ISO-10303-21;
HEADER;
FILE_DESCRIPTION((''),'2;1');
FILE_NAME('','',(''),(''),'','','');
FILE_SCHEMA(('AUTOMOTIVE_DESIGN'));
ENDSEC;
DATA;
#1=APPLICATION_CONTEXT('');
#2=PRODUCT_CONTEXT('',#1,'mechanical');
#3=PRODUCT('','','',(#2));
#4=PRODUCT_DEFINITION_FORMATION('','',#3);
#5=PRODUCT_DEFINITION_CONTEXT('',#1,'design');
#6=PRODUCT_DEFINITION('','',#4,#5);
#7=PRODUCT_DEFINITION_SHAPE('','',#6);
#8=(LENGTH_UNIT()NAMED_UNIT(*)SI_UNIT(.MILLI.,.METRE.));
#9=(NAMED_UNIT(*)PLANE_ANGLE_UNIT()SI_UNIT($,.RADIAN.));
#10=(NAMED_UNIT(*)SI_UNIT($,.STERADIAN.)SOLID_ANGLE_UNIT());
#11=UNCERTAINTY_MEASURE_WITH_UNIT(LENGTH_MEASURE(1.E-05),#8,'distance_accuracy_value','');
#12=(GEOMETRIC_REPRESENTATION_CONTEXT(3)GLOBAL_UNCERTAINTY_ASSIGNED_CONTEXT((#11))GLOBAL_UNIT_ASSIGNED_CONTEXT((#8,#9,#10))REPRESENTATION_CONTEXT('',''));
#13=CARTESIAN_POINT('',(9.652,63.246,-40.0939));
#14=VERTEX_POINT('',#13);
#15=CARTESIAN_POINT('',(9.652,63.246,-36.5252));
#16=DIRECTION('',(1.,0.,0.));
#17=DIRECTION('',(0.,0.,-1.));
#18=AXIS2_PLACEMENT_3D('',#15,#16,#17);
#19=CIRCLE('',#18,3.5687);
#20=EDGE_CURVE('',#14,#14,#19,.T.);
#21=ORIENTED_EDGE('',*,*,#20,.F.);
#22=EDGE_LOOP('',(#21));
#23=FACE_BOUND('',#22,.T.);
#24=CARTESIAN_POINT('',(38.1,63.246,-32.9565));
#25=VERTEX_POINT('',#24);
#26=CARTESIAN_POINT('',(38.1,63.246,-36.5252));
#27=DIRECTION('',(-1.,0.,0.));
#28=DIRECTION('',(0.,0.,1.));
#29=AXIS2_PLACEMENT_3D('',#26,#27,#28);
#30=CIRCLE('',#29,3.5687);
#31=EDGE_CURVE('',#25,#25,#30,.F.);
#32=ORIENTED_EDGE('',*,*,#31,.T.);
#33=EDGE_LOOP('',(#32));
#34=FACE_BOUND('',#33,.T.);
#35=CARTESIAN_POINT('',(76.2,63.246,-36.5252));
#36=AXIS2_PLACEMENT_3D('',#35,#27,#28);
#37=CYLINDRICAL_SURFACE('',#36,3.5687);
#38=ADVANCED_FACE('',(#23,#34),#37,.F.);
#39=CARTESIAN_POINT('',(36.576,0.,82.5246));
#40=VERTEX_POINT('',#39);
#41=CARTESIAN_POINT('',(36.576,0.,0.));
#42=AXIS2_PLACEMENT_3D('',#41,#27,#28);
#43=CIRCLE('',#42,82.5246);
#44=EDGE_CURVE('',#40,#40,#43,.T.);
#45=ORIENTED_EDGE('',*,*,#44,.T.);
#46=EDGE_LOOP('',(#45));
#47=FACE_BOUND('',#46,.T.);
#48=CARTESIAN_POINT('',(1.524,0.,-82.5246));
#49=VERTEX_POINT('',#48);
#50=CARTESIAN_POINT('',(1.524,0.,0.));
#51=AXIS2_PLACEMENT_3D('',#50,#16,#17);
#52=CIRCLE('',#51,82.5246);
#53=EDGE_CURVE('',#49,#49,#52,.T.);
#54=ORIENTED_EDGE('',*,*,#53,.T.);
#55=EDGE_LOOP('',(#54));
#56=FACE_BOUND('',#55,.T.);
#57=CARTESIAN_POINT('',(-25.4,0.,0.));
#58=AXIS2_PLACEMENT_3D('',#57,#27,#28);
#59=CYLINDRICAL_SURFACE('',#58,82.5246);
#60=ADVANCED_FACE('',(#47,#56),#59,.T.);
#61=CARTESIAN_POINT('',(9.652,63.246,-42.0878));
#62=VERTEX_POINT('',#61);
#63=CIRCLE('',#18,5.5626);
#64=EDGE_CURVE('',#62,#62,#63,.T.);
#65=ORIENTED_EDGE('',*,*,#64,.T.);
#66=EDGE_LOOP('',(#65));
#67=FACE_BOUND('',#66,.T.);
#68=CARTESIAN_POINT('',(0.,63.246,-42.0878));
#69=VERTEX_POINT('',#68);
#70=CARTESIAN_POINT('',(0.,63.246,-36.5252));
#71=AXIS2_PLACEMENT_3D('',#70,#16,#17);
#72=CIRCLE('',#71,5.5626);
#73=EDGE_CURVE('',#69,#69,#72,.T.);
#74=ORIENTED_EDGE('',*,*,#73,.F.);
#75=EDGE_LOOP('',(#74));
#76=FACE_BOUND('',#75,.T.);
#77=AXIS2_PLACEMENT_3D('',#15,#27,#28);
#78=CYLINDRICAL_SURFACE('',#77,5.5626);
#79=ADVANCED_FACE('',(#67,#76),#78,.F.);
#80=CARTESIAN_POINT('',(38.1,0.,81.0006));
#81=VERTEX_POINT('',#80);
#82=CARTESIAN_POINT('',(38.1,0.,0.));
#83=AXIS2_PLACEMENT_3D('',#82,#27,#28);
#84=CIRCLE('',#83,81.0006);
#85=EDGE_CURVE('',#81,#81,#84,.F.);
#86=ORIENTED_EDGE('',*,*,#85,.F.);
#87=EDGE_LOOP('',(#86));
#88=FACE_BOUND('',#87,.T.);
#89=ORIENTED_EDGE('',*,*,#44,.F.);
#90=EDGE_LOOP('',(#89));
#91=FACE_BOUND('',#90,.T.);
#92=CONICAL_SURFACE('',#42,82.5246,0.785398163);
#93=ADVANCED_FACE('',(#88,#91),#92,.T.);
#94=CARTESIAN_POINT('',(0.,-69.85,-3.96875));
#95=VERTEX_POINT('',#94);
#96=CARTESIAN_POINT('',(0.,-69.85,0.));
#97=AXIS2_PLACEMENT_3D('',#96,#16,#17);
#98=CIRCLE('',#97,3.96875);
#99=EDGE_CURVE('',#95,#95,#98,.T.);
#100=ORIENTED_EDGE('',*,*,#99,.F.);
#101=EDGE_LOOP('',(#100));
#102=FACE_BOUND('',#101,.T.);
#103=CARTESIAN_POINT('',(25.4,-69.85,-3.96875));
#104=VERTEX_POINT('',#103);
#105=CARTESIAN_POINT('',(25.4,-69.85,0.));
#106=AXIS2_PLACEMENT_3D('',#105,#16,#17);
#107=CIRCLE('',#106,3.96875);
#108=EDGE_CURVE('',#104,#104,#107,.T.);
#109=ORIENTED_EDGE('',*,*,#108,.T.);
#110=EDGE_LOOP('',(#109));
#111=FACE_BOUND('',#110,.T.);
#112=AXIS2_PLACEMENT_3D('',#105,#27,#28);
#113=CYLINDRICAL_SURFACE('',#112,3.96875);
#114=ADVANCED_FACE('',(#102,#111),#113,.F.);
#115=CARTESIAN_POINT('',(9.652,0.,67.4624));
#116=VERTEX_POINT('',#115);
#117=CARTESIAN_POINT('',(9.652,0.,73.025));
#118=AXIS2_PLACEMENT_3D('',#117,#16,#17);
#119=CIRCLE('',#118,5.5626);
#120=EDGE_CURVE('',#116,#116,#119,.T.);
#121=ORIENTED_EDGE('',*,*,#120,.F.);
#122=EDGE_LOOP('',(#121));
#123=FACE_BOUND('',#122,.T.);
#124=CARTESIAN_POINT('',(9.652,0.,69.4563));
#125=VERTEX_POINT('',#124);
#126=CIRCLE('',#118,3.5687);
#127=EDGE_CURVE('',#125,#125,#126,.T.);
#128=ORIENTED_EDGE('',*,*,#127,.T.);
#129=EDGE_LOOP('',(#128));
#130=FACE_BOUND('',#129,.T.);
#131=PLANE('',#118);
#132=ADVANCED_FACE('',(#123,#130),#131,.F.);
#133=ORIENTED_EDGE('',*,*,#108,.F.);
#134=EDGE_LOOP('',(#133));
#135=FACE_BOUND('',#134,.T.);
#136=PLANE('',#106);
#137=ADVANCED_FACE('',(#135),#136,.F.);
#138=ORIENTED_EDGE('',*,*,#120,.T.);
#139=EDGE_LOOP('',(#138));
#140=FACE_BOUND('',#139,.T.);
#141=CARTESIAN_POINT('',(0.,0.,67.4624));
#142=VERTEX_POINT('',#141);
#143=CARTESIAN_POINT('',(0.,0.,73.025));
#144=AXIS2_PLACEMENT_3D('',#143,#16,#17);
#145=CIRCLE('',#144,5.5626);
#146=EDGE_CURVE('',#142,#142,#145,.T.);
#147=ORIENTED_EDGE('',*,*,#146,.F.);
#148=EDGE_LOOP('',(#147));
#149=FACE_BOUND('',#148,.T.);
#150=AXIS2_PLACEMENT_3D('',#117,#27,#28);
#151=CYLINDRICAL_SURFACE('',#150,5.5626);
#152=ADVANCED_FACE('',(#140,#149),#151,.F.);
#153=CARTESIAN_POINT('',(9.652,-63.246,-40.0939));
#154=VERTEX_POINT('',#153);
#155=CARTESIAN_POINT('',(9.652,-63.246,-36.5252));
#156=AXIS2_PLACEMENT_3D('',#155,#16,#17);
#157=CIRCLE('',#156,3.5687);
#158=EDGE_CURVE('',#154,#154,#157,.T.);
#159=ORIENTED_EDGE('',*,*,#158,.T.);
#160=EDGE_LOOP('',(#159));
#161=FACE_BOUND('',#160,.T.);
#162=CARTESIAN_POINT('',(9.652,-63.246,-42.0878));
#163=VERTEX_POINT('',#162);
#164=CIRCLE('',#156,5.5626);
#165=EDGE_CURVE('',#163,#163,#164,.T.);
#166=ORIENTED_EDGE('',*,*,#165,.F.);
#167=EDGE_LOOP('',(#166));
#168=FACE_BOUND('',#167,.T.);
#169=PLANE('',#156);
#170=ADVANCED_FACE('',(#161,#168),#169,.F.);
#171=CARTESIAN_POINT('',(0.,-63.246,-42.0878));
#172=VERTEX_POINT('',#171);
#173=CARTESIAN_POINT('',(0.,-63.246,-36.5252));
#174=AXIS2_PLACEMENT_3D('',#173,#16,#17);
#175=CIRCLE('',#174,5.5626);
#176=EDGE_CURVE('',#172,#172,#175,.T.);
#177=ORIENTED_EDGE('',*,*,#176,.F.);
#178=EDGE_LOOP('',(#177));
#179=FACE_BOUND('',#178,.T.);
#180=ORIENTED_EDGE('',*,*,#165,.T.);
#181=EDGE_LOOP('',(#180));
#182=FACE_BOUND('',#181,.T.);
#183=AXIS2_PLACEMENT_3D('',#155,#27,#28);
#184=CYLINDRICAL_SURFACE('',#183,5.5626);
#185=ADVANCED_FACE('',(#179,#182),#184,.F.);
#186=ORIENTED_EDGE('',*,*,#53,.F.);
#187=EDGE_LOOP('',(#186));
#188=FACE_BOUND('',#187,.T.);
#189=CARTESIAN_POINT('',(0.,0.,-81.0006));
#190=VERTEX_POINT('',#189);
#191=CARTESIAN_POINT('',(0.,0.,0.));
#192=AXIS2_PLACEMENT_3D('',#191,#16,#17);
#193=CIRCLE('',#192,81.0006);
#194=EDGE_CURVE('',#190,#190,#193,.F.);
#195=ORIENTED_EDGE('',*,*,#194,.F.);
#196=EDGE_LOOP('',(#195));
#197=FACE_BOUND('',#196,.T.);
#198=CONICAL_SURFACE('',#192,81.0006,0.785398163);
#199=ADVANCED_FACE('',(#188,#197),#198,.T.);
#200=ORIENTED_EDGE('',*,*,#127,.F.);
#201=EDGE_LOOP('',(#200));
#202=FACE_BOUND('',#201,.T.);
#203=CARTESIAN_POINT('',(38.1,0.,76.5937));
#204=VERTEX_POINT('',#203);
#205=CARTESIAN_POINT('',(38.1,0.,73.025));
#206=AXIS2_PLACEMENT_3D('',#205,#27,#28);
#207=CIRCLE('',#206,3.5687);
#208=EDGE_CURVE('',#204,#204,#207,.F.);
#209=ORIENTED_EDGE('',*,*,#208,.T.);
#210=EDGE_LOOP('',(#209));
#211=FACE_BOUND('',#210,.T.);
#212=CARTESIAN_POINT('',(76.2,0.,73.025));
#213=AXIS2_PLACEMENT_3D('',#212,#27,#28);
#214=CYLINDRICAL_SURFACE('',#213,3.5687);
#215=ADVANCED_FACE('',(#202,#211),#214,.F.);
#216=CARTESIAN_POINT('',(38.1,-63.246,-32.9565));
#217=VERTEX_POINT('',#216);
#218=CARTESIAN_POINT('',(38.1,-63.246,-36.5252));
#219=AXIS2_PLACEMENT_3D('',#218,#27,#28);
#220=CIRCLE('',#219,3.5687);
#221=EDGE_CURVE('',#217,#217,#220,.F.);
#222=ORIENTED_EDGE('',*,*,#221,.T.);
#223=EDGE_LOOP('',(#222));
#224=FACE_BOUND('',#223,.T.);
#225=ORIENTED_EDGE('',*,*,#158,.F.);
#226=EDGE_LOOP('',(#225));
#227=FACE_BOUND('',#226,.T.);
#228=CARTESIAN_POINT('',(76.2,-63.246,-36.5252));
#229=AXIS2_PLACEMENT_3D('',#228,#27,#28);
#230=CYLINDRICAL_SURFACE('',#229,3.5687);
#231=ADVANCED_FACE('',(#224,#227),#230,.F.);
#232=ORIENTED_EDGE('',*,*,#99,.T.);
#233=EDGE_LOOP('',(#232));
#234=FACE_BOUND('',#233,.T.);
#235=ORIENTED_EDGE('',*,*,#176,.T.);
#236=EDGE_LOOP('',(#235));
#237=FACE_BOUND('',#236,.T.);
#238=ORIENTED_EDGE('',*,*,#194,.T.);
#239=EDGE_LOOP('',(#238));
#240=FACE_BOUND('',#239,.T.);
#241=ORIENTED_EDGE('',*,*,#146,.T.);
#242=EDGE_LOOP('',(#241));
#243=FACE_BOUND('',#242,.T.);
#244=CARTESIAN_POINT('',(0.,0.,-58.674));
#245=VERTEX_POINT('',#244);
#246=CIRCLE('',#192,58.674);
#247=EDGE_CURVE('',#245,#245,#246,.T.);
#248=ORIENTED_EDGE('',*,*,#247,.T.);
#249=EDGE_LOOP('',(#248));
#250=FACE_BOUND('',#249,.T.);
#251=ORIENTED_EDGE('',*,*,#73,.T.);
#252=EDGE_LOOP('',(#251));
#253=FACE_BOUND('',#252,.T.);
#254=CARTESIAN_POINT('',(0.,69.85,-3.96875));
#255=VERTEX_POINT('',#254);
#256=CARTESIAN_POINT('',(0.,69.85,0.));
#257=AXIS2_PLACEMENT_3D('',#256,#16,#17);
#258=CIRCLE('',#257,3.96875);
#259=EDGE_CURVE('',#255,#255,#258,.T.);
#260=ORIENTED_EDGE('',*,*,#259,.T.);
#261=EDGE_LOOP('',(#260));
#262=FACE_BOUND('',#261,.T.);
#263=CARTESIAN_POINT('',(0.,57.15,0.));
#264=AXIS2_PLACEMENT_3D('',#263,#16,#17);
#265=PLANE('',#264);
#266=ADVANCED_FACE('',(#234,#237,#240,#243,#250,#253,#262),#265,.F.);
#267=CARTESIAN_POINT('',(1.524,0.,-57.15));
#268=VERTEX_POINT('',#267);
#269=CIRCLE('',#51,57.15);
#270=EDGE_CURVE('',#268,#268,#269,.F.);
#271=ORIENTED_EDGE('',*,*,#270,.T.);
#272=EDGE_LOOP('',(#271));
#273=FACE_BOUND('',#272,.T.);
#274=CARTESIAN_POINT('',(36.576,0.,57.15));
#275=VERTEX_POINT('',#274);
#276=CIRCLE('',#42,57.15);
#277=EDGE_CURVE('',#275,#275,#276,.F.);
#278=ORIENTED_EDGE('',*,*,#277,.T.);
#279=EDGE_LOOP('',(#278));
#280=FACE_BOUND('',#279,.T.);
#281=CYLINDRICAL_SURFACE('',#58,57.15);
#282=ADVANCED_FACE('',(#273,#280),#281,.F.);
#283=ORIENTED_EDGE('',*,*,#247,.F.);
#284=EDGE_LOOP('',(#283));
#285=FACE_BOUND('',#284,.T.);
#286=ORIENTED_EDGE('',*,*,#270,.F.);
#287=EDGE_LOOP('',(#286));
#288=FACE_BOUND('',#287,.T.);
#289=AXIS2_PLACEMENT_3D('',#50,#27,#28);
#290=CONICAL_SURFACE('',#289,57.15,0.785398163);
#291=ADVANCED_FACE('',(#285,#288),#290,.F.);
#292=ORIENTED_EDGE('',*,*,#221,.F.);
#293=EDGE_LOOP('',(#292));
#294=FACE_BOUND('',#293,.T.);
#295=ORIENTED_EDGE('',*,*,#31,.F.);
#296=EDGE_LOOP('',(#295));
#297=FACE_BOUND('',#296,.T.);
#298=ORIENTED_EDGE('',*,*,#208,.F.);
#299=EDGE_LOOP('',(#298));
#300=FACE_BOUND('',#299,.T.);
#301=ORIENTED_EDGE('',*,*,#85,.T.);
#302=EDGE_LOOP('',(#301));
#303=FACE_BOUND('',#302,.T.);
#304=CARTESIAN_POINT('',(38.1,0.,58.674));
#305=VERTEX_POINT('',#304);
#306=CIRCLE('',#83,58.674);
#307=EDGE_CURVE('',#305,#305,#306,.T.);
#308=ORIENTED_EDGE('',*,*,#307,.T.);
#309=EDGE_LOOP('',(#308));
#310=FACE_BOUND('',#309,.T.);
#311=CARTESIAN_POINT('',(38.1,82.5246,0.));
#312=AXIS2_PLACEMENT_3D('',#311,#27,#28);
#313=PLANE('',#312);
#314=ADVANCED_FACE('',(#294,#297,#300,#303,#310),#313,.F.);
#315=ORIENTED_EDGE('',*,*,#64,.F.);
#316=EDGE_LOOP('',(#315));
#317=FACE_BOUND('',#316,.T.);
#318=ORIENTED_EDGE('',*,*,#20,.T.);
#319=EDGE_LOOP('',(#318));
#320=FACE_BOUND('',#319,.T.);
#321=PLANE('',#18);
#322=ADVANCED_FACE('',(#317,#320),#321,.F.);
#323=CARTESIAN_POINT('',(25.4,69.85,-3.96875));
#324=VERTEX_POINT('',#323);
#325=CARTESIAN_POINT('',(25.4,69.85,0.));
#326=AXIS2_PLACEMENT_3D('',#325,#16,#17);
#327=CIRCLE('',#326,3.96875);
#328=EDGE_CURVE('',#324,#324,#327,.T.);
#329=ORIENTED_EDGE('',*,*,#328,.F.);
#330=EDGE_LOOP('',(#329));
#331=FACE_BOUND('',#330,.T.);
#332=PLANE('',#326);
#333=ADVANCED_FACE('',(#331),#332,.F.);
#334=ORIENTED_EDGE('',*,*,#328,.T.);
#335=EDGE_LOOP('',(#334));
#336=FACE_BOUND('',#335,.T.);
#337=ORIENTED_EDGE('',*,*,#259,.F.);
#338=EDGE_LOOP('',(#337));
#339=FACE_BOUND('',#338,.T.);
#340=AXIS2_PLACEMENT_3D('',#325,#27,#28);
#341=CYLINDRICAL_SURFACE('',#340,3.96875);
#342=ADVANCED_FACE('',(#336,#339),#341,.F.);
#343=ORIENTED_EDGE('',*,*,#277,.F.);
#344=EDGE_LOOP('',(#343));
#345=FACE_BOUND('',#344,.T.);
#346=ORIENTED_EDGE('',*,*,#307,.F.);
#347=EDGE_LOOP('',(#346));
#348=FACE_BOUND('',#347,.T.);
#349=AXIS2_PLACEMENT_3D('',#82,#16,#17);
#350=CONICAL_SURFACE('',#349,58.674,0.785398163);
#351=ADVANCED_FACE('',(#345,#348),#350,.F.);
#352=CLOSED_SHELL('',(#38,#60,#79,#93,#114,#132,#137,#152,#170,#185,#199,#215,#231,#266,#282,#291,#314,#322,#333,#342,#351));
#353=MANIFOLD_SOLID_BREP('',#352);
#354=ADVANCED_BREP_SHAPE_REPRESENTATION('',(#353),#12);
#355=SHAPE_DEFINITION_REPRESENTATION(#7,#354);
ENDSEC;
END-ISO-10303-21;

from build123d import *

# Parameters (mm, degrees)
SKETCH1_W           = 25.3746
SKETCH1_H           = 38.1
CHAMFER1_SIZE       = 1.524
SKETCH2_R           = 3.5687
CUT_EXTRUDE2_DEPTH  = 76.2
SKETCH3_R           = 5.5626
CUT_EXTRUDE4_DEPTH  = 9.652
SKETCH4_R           = 3.5687
CUT_EXTRUDE6_DEPTH  = 76.2
SKETCH5_R           = 5.5626
CUT_EXTRUDE8_DEPTH  = 9.652
SKETCH6_R           = 3.5687
CUT_EXTRUDE10_DEPTH = 76.2
SKETCH7_R           = 5.5626
CUT_EXTRUDE12_DEPTH = 9.652
SKETCH8_R           = 3.96875
CUT_EXTRUDE14_DEPTH = 25.4
SKETCH9_R           = 3.96875
CUT_EXTRUDE16_DEPTH = 25.4


with BuildPart() as part:
    # Sketch1 → Revolve1 (revolve)
    with BuildSketch(Plane(origin=(0, 0, 0), x_dir=(0, 1, 0), z_dir=(0, 0, 1)), mode=Mode.PRIVATE) as revolve1_sk:
        with Locations((69.8373, -19.05)):
            Rectangle(SKETCH1_W, SKETCH1_H)
    revolve(revolve1_sk.sketch.rotate(Axis((-25.4, 0, 0), (1, 0, 0)), 90), axis=Axis((-25.4, 0, 0), (1, 0, 0)))

    # Chamfer1
    chamfer1_edges = [part.edges().sort_by_distance(p)[0] for p in [
        (0, 0, -57.15),
        (38.1, 0, -57.15),
        (38.1, 0, -82.5246),
        (0, 0, -82.5246),
    ]]
    chamfer(chamfer1_edges, length=CHAMFER1_SIZE)

    # Sketch2 → Cut-Extrude2 (cut)
    with BuildSketch(Plane.YZ):
        with Locations(Location((0, 73.025, 0), (0, 0, 90))):
            Circle(SKETCH2_R)
    extrude(amount=CUT_EXTRUDE2_DEPTH, mode=Mode.SUBTRACT)

    # Sketch3 → Cut-Extrude4 (cut)
    with BuildSketch(Plane.YZ):
        with Locations(Location((0, 73.025, 0), (0, 0, 270))):
            Circle(SKETCH3_R)
    extrude(amount=CUT_EXTRUDE4_DEPTH, mode=Mode.SUBTRACT)

    # Sketch4 → Cut-Extrude6 (cut)
    with BuildSketch(Plane.YZ):
        with Locations(Location((-63.246, -36.5252, 0), (0, 0, 90))):
            Circle(SKETCH4_R)
    extrude(amount=CUT_EXTRUDE6_DEPTH, mode=Mode.SUBTRACT)

    # Sketch5 → Cut-Extrude8 (cut)
    with BuildSketch(Plane.YZ):
        with Locations(Location((-63.246, -36.5252, 0), (0, 0, 270))):
            Circle(SKETCH5_R)
    extrude(amount=CUT_EXTRUDE8_DEPTH, mode=Mode.SUBTRACT)

    # Sketch6 → Cut-Extrude10 (cut)
    with BuildSketch(Plane.YZ):
        with Locations(Location((63.246, -36.5252, 0), (0, 0, 90))):
            Circle(SKETCH6_R)
    extrude(amount=CUT_EXTRUDE10_DEPTH, mode=Mode.SUBTRACT)

    # Sketch7 → Cut-Extrude12 (cut)
    with BuildSketch(Plane.YZ):
        with Locations(Location((63.246, -36.5252, 0), (0, 0, 270))):
            Circle(SKETCH7_R)
    extrude(amount=CUT_EXTRUDE12_DEPTH, mode=Mode.SUBTRACT)

    # Sketch8 → Cut-Extrude14 (cut)
    with BuildSketch(Plane.YZ):
        with Locations(Location((-69.85, 0, 0), (0, 0, 270))):
            Circle(SKETCH8_R)
    extrude(amount=CUT_EXTRUDE14_DEPTH, mode=Mode.SUBTRACT)

    # Sketch9 → Cut-Extrude16 (cut)
    with BuildSketch(Plane.YZ):
        with Locations(Location((69.85, 0, 0), (0, 0, 270))):
            Circle(SKETCH9_R)
    extrude(amount=CUT_EXTRUDE16_DEPTH, mode=Mode.SUBTRACT)


solid = part.part
